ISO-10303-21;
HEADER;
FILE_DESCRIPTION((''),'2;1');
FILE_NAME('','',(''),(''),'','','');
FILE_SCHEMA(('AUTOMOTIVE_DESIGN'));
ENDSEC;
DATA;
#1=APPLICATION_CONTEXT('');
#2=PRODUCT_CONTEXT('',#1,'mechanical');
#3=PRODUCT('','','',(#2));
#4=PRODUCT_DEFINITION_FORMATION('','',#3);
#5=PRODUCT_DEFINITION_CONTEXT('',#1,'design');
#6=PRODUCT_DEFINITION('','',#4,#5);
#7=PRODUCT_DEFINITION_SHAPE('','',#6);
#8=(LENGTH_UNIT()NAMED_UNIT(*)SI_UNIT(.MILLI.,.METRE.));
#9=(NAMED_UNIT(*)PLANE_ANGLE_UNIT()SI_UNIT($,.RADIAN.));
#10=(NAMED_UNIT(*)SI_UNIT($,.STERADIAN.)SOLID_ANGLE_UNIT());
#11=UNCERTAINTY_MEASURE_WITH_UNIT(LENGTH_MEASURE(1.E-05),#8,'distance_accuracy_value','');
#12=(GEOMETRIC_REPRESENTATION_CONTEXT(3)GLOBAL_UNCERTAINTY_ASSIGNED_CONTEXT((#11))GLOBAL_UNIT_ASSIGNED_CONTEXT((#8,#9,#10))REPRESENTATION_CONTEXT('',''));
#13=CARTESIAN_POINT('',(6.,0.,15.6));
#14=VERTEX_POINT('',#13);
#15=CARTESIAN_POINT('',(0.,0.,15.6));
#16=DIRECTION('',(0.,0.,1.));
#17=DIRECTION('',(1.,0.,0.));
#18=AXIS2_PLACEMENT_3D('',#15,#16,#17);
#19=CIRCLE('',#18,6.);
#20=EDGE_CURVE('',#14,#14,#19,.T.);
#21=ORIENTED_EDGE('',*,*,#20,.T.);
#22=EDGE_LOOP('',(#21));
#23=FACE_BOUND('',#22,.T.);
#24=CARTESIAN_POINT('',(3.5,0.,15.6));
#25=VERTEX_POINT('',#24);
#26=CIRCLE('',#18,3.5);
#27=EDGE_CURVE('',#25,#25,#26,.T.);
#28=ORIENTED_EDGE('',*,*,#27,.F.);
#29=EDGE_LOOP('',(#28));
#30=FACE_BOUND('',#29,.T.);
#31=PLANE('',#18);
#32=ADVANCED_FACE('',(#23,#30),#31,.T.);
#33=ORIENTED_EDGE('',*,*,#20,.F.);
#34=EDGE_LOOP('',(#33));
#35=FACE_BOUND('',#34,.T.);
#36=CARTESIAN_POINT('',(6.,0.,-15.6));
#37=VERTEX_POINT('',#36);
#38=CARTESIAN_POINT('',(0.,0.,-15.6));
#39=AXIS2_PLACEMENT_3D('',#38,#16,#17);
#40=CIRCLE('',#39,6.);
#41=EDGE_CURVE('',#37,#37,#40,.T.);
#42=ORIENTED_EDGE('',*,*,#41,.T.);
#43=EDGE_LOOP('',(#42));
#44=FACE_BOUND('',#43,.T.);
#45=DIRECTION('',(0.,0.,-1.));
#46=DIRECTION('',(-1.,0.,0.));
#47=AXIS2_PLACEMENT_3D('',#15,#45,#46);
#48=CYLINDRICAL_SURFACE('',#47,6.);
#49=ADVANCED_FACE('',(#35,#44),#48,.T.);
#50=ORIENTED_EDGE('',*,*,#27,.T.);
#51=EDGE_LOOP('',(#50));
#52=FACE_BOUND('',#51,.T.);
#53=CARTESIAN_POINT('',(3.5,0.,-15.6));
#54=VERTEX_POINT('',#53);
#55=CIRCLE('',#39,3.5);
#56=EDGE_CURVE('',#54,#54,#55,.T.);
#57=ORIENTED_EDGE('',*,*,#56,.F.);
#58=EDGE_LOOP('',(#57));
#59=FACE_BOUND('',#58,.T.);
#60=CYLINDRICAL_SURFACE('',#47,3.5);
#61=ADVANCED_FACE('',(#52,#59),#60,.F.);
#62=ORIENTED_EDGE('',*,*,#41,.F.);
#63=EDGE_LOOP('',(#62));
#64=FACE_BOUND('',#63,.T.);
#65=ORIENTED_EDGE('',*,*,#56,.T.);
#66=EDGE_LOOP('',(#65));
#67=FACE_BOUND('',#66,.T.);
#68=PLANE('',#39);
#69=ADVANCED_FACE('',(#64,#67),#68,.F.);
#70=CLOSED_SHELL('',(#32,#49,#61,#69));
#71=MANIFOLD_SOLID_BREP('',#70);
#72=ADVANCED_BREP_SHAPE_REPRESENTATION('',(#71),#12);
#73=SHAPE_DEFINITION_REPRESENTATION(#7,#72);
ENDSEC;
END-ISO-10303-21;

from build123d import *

# Parameters (mm, degrees)
SKETCH_1_R      = 6
SKETCH_1_R_2    = 3.5
EXTRUDE_1_DEPTH = 15.6


with BuildPart() as part:
    # 草图1 → 凸台-拉伸1 (new body, symmetric)
    with BuildSketch(Plane.XY):
        Circle(SKETCH_1_R)
        Circle(SKETCH_1_R_2, mode=Mode.SUBTRACT)
    extrude(amount=EXTRUDE_1_DEPTH, both=True)


solid = part.part
